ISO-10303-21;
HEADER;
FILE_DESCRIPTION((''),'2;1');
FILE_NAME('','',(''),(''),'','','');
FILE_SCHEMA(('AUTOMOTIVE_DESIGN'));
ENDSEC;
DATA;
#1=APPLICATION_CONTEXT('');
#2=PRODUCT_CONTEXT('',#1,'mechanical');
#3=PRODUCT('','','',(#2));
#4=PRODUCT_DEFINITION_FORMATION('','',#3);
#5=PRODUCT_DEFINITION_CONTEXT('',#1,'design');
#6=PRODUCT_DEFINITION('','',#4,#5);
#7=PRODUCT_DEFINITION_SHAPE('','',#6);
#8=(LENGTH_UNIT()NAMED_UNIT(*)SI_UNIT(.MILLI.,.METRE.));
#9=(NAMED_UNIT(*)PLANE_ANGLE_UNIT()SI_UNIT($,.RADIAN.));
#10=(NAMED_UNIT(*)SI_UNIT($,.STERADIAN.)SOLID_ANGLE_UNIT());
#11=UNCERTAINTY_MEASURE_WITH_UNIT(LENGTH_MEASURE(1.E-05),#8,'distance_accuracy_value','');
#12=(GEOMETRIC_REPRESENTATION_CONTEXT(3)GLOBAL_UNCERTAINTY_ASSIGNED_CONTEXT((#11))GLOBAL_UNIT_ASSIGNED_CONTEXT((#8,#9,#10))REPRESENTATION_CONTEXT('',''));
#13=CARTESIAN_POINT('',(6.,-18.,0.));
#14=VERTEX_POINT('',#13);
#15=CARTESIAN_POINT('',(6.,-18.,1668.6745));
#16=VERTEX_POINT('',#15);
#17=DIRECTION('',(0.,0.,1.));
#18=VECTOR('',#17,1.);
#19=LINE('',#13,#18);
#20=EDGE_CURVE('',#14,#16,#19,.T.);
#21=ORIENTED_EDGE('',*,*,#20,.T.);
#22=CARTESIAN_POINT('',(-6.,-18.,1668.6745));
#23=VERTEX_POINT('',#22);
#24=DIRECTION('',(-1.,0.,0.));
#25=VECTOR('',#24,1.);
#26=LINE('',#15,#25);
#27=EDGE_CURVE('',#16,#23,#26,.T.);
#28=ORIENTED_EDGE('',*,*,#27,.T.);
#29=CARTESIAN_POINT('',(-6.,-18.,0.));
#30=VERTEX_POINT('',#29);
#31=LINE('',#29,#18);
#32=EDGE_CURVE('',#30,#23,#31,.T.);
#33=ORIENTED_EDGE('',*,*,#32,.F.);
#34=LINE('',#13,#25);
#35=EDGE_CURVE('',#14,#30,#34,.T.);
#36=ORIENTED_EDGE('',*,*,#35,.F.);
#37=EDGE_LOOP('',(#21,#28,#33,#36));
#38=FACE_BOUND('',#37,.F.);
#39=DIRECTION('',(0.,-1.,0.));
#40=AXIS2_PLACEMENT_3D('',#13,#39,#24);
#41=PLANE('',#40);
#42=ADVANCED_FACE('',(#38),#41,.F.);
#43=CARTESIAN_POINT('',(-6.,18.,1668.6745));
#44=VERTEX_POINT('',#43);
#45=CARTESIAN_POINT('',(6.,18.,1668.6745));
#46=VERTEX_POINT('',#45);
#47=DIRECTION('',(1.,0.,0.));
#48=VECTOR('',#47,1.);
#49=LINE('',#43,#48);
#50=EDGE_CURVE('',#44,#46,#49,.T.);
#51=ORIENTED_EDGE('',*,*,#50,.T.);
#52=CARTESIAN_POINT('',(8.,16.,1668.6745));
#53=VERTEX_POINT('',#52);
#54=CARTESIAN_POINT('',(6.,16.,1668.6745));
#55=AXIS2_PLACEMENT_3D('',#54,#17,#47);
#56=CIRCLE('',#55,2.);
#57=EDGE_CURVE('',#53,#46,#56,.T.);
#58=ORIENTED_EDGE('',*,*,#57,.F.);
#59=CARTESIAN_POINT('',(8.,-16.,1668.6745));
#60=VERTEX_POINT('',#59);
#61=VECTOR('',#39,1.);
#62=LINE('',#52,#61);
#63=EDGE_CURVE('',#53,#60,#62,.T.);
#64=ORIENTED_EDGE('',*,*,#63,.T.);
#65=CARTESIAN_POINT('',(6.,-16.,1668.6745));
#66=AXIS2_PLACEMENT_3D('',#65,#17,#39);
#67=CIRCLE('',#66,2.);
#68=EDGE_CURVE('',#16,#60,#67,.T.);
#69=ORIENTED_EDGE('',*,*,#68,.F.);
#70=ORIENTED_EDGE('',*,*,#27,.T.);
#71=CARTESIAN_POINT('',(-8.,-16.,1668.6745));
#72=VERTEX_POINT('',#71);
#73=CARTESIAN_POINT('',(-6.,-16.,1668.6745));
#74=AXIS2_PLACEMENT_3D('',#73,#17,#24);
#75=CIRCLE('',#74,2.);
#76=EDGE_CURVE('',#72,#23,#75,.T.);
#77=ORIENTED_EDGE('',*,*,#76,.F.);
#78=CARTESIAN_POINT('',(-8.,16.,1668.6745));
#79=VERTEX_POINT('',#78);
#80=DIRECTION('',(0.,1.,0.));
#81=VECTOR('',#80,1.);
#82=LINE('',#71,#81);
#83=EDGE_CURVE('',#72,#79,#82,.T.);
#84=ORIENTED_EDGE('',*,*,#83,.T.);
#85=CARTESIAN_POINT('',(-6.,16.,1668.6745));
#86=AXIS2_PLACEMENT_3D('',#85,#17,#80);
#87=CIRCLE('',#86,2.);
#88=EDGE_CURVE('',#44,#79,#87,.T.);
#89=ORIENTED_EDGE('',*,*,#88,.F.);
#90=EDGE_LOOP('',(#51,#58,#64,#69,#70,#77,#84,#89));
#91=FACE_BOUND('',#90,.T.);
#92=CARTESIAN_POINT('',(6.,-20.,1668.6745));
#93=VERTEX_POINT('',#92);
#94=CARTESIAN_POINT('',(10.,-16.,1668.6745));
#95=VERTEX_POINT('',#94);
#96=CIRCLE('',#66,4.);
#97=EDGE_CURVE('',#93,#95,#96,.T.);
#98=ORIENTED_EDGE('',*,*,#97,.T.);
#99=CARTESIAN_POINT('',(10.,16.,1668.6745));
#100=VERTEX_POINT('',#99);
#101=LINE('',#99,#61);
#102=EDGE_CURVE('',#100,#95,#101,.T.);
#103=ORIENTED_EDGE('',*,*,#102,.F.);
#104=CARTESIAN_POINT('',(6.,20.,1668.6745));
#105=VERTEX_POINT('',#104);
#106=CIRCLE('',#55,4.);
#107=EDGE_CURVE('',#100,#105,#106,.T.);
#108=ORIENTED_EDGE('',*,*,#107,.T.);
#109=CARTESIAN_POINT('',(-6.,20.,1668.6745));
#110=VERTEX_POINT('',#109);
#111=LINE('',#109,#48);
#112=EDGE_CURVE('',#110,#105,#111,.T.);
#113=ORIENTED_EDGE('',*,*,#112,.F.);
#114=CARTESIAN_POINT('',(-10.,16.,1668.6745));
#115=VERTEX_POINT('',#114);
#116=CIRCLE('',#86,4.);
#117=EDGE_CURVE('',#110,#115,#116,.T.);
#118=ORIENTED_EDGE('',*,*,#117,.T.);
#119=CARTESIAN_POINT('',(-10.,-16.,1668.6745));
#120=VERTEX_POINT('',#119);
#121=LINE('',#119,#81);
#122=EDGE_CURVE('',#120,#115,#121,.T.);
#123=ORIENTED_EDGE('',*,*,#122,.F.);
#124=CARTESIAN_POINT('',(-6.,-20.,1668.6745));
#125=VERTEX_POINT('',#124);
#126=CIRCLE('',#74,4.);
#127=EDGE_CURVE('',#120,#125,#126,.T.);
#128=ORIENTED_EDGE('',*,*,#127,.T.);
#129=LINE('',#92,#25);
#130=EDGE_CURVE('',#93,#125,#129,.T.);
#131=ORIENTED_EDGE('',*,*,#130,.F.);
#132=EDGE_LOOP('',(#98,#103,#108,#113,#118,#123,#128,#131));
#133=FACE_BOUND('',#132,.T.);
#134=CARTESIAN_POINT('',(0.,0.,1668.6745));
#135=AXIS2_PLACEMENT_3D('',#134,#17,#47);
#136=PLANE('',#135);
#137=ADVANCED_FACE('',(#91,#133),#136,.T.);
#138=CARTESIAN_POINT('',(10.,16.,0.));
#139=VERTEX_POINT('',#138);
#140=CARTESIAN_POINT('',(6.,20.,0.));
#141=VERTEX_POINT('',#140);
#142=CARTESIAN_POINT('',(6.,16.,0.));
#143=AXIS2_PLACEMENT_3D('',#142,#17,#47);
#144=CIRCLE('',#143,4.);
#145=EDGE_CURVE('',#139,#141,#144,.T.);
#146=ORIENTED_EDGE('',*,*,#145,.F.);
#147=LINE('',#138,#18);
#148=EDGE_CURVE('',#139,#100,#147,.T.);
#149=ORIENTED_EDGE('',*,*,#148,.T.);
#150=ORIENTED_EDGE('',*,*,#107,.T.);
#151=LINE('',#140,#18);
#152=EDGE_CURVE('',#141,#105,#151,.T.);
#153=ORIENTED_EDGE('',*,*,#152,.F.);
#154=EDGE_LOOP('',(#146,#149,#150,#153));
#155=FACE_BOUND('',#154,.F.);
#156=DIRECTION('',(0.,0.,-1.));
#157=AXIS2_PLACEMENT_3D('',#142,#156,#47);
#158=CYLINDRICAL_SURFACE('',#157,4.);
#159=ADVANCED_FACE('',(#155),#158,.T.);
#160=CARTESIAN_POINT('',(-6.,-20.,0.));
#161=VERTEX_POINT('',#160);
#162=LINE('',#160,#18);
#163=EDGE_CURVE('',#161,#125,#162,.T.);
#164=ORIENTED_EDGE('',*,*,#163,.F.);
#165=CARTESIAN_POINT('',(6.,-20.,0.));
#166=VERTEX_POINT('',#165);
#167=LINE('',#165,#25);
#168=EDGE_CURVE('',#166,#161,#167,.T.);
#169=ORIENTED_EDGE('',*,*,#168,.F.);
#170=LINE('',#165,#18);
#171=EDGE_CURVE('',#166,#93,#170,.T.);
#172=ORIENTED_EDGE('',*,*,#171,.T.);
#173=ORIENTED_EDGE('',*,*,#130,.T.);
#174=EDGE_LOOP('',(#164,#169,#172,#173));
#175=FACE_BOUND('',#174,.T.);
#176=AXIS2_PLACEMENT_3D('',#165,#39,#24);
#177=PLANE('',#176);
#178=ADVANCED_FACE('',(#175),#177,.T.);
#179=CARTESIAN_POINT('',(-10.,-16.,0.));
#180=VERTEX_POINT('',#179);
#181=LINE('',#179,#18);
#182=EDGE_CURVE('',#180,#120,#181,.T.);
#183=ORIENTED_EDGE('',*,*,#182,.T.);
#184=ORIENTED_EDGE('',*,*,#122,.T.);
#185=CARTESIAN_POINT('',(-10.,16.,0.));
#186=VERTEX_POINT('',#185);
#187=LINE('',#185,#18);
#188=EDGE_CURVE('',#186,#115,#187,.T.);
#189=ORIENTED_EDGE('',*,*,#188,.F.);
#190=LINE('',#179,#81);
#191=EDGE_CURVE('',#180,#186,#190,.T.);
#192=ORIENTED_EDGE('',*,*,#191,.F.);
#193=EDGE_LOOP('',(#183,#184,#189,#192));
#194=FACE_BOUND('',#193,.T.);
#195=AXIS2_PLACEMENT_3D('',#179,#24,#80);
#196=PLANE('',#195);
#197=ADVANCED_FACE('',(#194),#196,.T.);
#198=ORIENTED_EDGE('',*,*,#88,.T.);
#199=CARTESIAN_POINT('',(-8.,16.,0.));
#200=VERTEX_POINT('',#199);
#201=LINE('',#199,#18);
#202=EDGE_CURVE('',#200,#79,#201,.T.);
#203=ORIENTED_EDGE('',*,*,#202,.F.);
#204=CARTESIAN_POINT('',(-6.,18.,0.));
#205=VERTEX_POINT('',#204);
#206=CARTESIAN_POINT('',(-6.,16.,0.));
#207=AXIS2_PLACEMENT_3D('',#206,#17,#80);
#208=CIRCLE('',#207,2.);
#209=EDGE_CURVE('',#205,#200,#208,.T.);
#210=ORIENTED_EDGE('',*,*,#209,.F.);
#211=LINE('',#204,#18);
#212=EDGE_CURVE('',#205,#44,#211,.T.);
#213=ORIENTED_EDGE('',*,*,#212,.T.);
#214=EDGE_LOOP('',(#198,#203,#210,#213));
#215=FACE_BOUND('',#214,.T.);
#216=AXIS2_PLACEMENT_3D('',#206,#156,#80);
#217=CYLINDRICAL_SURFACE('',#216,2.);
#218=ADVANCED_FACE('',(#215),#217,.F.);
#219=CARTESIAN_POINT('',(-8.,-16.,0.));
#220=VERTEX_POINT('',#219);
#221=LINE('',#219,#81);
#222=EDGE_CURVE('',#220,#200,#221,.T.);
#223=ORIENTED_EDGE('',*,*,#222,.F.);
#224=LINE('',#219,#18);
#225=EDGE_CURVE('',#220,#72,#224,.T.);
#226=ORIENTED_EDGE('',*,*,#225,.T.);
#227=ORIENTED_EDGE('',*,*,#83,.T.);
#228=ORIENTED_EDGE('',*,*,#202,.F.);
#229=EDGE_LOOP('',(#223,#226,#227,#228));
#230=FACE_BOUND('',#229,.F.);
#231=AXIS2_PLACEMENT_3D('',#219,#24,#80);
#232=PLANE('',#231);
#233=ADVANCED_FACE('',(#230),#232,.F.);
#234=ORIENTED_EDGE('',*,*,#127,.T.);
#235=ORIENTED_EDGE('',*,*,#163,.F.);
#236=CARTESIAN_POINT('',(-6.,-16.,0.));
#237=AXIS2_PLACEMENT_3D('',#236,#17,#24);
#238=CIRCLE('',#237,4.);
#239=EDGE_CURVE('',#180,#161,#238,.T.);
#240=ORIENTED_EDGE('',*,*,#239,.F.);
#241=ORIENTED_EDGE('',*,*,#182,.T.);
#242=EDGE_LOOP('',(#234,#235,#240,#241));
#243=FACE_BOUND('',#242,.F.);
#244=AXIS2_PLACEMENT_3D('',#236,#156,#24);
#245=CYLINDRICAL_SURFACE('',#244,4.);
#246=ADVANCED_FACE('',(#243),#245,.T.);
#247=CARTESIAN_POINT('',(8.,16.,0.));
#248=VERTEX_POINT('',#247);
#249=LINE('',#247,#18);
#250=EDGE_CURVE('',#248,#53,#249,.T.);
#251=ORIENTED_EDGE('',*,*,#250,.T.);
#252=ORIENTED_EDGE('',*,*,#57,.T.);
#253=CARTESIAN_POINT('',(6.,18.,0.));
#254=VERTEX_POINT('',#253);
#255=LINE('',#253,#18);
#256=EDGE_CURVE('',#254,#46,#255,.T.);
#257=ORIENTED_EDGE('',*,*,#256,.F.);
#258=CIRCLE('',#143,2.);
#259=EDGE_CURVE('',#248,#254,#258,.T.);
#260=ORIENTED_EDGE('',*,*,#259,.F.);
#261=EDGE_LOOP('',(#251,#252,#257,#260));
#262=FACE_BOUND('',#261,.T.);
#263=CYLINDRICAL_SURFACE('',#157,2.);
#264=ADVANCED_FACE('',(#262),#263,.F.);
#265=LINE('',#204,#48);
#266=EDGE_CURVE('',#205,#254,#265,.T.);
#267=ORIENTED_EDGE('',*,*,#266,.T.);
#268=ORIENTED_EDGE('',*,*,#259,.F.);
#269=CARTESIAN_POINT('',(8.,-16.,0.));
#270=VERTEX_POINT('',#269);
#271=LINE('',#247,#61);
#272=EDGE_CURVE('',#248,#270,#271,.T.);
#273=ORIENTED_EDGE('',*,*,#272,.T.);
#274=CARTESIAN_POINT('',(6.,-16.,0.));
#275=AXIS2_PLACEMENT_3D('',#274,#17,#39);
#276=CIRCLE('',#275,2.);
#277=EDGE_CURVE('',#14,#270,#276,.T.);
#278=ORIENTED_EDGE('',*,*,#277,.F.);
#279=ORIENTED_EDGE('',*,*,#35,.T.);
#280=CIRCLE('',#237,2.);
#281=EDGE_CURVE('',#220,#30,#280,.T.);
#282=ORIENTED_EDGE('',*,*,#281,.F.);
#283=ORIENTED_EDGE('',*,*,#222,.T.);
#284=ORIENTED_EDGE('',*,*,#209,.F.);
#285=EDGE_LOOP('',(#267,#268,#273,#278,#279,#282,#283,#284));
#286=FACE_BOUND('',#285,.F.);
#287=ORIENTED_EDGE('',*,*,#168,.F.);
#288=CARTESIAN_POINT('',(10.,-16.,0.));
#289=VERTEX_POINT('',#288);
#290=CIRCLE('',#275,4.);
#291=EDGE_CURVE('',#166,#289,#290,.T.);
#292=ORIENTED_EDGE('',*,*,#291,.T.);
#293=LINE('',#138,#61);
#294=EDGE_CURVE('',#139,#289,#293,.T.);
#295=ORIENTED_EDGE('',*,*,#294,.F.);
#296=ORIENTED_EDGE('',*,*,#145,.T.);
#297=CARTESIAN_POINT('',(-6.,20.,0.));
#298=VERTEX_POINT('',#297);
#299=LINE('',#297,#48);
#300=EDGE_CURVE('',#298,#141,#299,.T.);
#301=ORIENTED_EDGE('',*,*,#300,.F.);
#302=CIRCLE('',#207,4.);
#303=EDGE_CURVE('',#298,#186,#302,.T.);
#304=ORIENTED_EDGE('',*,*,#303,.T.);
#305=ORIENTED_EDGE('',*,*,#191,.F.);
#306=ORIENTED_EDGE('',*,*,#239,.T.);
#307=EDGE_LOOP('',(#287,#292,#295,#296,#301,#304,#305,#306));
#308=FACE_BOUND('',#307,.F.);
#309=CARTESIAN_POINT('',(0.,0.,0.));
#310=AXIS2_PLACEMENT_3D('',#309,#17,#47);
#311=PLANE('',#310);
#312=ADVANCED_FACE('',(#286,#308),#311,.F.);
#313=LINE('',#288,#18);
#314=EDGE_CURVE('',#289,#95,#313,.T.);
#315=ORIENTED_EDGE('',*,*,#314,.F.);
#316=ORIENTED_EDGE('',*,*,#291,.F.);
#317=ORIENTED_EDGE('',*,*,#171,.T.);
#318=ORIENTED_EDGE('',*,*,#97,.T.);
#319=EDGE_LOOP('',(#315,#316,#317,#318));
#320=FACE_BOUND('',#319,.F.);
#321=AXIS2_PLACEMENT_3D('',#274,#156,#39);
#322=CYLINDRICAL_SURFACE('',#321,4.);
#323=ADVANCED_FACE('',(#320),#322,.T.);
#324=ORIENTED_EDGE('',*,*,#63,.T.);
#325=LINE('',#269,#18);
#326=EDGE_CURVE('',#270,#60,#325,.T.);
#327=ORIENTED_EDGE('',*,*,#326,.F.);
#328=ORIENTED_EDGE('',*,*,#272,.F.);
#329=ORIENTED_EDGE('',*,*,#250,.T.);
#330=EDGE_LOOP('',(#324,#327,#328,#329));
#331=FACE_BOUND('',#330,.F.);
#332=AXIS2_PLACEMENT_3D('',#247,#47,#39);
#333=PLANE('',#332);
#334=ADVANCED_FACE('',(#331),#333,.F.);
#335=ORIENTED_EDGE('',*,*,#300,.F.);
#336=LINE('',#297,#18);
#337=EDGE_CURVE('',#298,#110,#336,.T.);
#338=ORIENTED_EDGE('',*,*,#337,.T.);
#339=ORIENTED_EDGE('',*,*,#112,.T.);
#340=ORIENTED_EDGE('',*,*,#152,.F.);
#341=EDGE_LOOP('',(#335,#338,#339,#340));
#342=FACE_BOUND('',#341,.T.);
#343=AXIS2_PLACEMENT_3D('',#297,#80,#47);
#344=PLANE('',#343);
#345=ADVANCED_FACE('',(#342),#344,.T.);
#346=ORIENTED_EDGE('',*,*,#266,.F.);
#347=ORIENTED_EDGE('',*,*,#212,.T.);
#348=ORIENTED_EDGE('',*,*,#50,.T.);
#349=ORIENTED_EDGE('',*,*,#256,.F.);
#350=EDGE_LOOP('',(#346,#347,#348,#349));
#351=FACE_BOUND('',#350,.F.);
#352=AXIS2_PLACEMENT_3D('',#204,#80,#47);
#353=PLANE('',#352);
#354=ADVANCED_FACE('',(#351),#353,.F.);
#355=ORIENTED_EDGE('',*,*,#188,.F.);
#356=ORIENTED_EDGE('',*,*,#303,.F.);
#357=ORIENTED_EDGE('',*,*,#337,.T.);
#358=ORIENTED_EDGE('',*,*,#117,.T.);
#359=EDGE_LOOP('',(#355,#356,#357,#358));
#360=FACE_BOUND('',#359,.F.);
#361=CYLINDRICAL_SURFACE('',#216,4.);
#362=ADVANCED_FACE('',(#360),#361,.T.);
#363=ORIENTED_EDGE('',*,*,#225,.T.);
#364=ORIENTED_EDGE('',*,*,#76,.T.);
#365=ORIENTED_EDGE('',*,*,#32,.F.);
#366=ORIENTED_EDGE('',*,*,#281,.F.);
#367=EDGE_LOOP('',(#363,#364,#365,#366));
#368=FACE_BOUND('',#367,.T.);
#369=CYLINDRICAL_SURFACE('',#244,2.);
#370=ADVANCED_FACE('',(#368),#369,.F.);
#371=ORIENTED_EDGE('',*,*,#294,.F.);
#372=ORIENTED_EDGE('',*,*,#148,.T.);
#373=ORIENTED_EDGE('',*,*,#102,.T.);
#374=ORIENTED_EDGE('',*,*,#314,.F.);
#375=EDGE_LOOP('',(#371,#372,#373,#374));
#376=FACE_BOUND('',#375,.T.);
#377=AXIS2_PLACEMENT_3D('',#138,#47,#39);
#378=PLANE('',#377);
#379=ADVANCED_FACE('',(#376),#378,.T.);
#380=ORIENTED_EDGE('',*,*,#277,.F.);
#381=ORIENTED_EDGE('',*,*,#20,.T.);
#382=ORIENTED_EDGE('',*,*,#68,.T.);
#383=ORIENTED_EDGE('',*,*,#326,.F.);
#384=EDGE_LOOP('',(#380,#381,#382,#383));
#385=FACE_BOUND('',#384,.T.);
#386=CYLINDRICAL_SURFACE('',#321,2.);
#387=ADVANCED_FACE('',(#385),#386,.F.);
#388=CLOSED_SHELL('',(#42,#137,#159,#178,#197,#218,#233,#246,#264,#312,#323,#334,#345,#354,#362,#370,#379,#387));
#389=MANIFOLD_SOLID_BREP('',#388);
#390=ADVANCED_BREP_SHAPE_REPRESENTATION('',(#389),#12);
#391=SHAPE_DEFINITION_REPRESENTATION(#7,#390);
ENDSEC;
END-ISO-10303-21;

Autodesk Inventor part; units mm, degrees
ref_plane "YZ Plane" through (0, 0, 0) normal (1, 0, 0) x (0, 1, 0)
ref_plane "Start Plane" through (0, 0, 0) normal (0, 0, 1) x (1, 0, 0)
ref_plane "End Plane" through (0, 0, 1668.6745) normal (0, 0, 1) x (1, 0, 0)
sketch "Sketch" plane through (0, 0, 0) normal (0, 0, 1) x (1, 0, 0)
  line L0 (-10, -16) -> (-10, 16)
  line L1 (-6, 20) -> (6, 20)
  line L2 (10, 16) -> (10, -16)
  line L3 (6, -20) -> (-6, -20)
  arc A0 (-10, -16) -> (-6, -20) centre (-6, -16) ccw
  arc A1 (10, 16) -> (6, 20) centre (6, 16) ccw
  arc A2 (-6, 20) -> (-10, 16) centre (-6, 16) ccw
  arc A3 (6, -20) -> (10, -16) centre (6, -16) ccw
  arc A4 (-6, 18) -> (-8, 16) centre (-6, 16) ccw
  line L4 (-6, 18) -> (6, 18)
  arc A5 (8, 16) -> (6, 18) centre (6, 16) ccw
  line L5 (8, 16) -> (8, -16)
  arc A6 (6, -18) -> (8, -16) centre (6, -16) ccw
  line L6 (6, -18) -> (-6, -18)
  arc A7 (-8, -16) -> (-6, -18) centre (-6, -16) ccw
  line L7 (-8, -16) -> (-8, 16)
  line L8 (0, 29.1598) -> (0, -29.1598) construction
  line L9 (-15.1598, 0) -> (15.1598, 0) construction
  dimension "d7" = 4
  dimension "d9" = 20
  dimension "d11" = 40
  dimension "d12" = 2
  dimension "d15" = 10
  dimension "d16" = 20
extrude "Body" add sketch "Sketch" along normal up to surface (1668.6745 mm away) from surface at 0
sketch "Sketch3" plane through (0, 0, 0) normal (0, 0, 1) x (1, 0, 0)
  line L0 (0, 0) -> (10, 0)
ref_plane "Work Plane3" through (0, 0, 0) normal (0, -1, 0) x (1, 0, 0)
sketch "Sketch4" plane through (0, 0, 0) normal (0, -1, 0) x (1, 0, 0)
  line L0 (-2, 0) -> (12, 0) projected
  line L1 (-2, 1668.6745) -> (12, 1668.6745) projected
  dimension "d18" = 1668.6745
equation "\"d7\" = G_IR"
equation "\"d9\" = G_W"
equation "\"d11\" = G_H"
equation "\"d12\" = G_T"
equation "\"d15\" = 0.5 * d9"
equation "\"d16\" = 0.5 * d11"
equation "\"d3\" = G_L"
equation "\"G_W\" = 20"
equation "\"G_H\" = 40"
equation "\"G_T\" = 2"
equation "\"G_IR\" = 4"
equation "\"G_L\" = d18"
equation "\"G_OFFSET_START\" = 0"
equation "\"G_OFFSET_END\" = 0"
equation "\"d14\" = G_OFFSET_END + B_L"
equation "\"B_L\" = 1668.67447"
properties part number "ISO 10799-2 - 40x20x2 - 1668,67" material "Steel, Mild"
